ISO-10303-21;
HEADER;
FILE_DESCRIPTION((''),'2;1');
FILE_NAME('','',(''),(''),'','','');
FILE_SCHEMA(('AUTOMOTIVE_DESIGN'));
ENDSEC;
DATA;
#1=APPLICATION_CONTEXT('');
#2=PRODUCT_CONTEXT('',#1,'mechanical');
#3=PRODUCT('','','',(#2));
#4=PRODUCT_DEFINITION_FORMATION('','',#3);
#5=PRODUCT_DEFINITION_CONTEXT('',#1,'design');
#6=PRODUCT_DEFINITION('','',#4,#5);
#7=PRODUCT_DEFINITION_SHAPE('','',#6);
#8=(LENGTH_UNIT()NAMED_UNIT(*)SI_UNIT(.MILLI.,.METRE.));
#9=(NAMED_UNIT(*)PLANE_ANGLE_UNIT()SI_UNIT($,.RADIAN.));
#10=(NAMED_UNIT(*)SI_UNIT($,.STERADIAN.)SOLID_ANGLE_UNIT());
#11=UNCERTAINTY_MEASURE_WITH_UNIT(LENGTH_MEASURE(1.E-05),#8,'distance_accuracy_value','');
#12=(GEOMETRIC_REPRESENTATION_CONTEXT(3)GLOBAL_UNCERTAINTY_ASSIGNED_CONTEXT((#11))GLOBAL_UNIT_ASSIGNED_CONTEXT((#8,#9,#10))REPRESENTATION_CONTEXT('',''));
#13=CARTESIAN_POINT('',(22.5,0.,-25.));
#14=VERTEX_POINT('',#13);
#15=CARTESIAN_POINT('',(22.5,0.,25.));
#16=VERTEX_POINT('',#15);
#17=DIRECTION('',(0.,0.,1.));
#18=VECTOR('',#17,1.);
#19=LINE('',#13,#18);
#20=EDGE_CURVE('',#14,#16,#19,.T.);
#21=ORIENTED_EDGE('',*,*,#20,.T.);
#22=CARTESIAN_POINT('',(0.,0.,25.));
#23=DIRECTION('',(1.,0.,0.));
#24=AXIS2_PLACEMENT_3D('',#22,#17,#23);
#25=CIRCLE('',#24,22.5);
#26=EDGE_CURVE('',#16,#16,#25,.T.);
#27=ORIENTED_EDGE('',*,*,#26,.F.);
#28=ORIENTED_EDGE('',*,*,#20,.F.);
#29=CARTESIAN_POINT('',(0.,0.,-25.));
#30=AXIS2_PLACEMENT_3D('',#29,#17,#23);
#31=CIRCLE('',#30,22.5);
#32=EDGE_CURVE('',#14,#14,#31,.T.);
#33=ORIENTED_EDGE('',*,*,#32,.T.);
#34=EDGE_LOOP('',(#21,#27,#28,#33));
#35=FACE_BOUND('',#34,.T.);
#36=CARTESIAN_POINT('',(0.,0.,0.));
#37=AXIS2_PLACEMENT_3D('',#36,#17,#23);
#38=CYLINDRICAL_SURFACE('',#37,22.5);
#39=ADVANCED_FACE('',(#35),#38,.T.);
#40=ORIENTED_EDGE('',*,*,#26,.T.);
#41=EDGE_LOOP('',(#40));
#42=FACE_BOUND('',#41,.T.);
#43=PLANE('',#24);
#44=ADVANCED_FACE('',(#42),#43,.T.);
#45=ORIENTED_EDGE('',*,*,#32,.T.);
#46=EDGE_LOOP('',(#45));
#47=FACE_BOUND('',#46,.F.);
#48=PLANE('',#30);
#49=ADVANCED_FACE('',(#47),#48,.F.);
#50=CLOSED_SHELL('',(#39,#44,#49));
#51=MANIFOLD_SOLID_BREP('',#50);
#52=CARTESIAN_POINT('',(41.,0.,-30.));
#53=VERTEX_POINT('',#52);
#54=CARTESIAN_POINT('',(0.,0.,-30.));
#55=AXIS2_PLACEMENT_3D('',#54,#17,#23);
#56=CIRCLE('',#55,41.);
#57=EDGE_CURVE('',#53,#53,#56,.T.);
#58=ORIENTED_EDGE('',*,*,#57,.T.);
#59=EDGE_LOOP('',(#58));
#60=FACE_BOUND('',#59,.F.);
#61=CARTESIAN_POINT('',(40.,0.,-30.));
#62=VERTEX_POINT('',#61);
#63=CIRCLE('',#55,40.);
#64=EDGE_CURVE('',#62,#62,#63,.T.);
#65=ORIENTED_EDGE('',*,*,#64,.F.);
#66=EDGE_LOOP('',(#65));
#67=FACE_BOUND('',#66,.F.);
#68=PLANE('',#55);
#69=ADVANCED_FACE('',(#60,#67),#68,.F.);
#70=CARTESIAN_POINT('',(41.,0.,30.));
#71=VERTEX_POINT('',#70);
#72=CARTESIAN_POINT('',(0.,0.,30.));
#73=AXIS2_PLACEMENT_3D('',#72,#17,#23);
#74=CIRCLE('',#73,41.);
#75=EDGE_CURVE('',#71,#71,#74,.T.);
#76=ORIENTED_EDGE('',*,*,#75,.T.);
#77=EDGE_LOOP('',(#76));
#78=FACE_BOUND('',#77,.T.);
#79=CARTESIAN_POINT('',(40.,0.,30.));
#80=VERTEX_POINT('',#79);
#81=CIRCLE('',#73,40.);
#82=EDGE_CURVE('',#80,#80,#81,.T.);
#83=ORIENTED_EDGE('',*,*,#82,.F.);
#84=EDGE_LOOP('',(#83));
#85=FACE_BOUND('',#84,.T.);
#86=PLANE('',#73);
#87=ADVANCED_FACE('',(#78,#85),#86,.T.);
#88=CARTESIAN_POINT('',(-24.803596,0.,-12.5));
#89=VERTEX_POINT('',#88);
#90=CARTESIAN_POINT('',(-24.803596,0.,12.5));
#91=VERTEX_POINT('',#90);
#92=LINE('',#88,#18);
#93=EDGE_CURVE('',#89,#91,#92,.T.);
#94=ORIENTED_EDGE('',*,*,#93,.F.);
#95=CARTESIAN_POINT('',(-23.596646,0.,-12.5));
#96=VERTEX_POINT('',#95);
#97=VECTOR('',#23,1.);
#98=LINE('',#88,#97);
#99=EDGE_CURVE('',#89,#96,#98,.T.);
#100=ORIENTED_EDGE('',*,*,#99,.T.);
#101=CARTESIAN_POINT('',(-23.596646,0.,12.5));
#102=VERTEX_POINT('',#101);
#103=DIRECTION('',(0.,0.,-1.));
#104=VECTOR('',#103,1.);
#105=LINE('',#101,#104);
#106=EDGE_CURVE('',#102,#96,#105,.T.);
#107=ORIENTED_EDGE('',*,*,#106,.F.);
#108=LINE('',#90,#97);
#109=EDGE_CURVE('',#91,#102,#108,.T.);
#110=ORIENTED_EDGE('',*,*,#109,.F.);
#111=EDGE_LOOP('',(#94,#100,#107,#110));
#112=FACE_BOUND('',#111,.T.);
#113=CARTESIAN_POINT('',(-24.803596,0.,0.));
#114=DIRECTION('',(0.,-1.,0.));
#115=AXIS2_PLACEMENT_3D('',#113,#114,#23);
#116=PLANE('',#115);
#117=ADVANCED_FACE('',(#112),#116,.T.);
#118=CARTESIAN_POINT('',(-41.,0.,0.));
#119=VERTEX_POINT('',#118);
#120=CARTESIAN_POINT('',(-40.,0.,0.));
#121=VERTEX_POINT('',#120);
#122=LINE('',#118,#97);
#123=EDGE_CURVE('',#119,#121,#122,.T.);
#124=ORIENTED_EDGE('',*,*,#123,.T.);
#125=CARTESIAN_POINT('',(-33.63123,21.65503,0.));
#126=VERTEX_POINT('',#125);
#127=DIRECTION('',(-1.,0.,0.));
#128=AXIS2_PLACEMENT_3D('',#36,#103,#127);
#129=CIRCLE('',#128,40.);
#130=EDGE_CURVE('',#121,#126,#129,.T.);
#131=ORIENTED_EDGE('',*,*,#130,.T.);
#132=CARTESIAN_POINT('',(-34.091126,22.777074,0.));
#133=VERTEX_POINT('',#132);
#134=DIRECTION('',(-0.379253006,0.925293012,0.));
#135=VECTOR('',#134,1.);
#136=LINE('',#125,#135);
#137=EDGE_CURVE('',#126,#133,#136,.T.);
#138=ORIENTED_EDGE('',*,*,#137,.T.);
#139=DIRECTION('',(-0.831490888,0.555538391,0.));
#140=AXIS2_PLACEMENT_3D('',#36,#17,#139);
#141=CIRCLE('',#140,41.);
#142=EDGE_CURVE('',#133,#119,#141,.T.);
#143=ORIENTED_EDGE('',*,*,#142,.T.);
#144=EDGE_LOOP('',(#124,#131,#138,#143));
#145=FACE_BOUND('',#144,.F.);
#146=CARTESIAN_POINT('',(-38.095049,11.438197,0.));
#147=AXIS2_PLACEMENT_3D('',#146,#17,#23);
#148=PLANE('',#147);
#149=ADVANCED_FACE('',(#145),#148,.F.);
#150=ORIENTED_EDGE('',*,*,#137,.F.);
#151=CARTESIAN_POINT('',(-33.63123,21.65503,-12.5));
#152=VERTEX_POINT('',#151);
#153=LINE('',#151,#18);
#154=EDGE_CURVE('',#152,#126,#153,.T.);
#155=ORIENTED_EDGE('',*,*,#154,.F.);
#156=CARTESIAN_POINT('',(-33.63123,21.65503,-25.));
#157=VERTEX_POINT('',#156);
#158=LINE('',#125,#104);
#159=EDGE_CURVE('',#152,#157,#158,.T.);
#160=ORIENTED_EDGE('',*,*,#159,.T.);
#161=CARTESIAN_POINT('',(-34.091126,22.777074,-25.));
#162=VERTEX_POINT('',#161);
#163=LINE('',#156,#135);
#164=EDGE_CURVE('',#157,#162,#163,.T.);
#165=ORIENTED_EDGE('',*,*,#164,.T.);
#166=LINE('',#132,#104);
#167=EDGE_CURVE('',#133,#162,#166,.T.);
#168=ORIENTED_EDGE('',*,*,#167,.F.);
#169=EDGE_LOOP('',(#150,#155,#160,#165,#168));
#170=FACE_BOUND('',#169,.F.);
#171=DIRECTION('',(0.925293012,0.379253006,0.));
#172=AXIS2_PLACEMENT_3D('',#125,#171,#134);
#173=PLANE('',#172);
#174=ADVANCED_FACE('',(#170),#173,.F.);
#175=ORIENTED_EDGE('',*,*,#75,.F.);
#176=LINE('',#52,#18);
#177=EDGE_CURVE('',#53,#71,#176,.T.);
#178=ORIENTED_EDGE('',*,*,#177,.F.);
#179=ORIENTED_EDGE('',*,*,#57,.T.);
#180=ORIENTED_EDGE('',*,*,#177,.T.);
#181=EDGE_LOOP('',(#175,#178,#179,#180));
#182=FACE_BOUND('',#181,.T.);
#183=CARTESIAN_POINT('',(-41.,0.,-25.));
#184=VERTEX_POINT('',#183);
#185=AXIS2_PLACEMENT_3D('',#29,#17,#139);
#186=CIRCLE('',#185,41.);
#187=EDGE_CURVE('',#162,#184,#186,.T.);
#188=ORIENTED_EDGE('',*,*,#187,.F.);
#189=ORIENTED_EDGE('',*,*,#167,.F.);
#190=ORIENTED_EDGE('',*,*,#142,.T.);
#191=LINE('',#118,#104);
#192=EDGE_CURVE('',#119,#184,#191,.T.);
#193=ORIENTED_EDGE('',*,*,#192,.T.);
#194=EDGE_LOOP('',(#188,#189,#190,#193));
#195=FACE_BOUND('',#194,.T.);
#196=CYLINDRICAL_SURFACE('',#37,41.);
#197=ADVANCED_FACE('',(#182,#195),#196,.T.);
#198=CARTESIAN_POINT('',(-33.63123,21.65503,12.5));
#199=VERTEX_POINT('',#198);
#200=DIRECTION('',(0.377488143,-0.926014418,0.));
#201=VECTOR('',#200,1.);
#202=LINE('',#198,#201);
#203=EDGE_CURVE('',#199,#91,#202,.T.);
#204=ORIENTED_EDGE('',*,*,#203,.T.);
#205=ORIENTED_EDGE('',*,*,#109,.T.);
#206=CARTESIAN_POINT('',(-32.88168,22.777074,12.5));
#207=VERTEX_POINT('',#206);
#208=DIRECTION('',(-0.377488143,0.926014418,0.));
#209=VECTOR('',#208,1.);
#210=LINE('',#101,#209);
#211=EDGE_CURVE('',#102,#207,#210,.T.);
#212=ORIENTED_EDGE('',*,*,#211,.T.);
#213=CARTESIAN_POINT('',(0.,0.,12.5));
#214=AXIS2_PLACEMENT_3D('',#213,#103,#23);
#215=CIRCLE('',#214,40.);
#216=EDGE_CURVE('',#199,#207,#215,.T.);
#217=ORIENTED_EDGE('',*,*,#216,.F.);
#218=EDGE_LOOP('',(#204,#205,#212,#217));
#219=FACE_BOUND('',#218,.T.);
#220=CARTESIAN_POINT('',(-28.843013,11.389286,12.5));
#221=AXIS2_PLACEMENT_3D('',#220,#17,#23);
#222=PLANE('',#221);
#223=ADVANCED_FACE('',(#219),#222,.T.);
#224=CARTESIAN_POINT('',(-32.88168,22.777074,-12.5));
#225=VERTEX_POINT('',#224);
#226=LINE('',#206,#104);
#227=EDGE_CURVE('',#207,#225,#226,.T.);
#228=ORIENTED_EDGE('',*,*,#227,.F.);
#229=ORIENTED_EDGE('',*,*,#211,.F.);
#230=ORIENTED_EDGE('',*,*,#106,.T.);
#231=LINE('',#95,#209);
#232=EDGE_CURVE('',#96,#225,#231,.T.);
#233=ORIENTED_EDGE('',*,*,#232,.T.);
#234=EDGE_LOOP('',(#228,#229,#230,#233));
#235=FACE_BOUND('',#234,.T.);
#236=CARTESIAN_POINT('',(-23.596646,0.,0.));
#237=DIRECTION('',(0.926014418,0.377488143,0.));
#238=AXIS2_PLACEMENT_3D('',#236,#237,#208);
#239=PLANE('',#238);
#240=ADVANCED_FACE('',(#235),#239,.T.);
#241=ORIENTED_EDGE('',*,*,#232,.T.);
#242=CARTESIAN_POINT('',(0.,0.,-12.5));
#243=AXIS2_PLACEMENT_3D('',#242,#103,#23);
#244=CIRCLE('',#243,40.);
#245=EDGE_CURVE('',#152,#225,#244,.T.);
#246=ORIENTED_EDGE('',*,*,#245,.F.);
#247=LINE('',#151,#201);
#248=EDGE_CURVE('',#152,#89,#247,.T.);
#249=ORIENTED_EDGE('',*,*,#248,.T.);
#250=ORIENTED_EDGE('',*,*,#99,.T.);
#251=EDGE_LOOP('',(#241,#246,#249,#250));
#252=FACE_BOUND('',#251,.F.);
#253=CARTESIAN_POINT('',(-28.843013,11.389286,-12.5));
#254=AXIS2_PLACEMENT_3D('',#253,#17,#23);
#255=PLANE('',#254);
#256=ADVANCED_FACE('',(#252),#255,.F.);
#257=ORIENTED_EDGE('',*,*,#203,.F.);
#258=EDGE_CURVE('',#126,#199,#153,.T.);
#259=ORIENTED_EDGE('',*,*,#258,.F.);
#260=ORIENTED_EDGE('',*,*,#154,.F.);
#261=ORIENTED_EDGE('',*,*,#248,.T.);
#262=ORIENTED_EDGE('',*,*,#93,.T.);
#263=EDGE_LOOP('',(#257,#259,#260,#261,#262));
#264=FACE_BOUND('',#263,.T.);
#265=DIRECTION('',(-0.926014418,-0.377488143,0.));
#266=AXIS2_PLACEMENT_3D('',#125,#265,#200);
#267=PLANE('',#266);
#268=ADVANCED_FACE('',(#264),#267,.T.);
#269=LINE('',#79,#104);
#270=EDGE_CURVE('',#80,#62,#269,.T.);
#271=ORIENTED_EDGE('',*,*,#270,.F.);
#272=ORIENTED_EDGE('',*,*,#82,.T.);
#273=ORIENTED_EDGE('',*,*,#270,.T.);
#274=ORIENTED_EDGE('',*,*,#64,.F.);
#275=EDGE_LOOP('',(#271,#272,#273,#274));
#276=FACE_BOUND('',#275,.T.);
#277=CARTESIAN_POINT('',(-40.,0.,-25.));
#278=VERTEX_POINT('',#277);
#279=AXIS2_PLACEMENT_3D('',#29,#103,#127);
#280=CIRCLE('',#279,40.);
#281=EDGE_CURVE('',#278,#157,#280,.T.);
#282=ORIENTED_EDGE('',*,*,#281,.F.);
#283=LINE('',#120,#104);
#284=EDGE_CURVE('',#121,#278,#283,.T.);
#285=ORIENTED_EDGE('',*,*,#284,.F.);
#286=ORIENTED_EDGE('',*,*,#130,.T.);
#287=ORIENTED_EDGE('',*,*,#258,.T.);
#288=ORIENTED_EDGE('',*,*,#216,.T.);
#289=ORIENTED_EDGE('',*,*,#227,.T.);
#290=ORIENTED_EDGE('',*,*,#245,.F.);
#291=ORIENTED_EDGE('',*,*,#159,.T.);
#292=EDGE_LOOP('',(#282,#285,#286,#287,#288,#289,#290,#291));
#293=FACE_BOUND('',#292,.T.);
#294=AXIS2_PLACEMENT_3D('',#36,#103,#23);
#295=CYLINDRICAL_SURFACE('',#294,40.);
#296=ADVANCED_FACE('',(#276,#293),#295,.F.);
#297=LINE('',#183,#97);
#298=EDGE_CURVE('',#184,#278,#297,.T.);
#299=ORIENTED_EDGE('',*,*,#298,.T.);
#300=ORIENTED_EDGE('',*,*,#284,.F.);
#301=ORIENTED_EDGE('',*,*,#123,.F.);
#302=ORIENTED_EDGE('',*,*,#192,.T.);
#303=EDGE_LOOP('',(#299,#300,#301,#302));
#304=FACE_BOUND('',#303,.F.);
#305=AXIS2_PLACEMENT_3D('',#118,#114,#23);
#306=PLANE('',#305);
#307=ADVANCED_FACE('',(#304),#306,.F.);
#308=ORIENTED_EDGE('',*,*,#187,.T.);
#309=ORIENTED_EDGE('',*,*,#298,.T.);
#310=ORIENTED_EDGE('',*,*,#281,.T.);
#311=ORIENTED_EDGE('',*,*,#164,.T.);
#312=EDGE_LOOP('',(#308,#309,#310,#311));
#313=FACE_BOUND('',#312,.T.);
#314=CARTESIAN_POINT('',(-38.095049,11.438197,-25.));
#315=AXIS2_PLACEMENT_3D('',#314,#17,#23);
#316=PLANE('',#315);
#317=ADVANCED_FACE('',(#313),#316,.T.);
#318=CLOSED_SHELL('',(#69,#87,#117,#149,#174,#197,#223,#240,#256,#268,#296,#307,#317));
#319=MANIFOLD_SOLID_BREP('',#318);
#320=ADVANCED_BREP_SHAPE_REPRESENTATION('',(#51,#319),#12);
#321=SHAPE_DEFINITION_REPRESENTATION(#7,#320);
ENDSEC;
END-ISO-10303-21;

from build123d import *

# Parameters (mm, degrees)
F0_R     = 22.5
F1_DEPTH = 25
F0_R_2   = 41
F0_R_3   = 40
F2_DEPTH = 30
F4_DEPTH = 12.5
F5_DEPTH = 25


with BuildPart() as f1:
    # F0 (on Top) → F1 (new body, symmetric)
    with BuildSketch(Plane.XY):
        Circle(F0_R)
    extrude(amount=F1_DEPTH, both=True)


with BuildPart() as f2:
    # F0 (on Top) → F2 (new body, symmetric)
    with BuildSketch(Plane.XY):
        Circle(F0_R_2)
        Circle(F0_R_3, mode=Mode.SUBTRACT)
    extrude(amount=F2_DEPTH, both=True)

    # F3 (on Top) → F4 (join, symmetric)
    with BuildSketch(Plane.XY):
        Polygon((-34.0911263885, 22.7770740343), (-33.6312304821, 21.6550302762), (-24.8035956174, 0), (-23.5966462642, 0), (-32.8816802861, 22.7770740343), align=None)
    extrude(amount=F4_DEPTH, both=True)

    # F3 (on Top) → F5 (cut)
    with BuildSketch(Plane.XY):
        with BuildLine():
            ThreePointArc((-40, 0), (-38.3747913303, 11.2860706341), (-33.6312304821, 21.6550302762))
            Line((-33.6312304821, 21.6550302762), (-34.0911263885, 22.7770740343))
            ThreePointArc((-34.0911263885, 22.7770740343), (-39.234781648, 11.9009205121), (-41, 0))
            Line((-41, 0), (-40, 0))
        make_face()
    extrude(amount=-F5_DEPTH, mode=Mode.SUBTRACT)


solid = Compound([f1.part, f2.part])
